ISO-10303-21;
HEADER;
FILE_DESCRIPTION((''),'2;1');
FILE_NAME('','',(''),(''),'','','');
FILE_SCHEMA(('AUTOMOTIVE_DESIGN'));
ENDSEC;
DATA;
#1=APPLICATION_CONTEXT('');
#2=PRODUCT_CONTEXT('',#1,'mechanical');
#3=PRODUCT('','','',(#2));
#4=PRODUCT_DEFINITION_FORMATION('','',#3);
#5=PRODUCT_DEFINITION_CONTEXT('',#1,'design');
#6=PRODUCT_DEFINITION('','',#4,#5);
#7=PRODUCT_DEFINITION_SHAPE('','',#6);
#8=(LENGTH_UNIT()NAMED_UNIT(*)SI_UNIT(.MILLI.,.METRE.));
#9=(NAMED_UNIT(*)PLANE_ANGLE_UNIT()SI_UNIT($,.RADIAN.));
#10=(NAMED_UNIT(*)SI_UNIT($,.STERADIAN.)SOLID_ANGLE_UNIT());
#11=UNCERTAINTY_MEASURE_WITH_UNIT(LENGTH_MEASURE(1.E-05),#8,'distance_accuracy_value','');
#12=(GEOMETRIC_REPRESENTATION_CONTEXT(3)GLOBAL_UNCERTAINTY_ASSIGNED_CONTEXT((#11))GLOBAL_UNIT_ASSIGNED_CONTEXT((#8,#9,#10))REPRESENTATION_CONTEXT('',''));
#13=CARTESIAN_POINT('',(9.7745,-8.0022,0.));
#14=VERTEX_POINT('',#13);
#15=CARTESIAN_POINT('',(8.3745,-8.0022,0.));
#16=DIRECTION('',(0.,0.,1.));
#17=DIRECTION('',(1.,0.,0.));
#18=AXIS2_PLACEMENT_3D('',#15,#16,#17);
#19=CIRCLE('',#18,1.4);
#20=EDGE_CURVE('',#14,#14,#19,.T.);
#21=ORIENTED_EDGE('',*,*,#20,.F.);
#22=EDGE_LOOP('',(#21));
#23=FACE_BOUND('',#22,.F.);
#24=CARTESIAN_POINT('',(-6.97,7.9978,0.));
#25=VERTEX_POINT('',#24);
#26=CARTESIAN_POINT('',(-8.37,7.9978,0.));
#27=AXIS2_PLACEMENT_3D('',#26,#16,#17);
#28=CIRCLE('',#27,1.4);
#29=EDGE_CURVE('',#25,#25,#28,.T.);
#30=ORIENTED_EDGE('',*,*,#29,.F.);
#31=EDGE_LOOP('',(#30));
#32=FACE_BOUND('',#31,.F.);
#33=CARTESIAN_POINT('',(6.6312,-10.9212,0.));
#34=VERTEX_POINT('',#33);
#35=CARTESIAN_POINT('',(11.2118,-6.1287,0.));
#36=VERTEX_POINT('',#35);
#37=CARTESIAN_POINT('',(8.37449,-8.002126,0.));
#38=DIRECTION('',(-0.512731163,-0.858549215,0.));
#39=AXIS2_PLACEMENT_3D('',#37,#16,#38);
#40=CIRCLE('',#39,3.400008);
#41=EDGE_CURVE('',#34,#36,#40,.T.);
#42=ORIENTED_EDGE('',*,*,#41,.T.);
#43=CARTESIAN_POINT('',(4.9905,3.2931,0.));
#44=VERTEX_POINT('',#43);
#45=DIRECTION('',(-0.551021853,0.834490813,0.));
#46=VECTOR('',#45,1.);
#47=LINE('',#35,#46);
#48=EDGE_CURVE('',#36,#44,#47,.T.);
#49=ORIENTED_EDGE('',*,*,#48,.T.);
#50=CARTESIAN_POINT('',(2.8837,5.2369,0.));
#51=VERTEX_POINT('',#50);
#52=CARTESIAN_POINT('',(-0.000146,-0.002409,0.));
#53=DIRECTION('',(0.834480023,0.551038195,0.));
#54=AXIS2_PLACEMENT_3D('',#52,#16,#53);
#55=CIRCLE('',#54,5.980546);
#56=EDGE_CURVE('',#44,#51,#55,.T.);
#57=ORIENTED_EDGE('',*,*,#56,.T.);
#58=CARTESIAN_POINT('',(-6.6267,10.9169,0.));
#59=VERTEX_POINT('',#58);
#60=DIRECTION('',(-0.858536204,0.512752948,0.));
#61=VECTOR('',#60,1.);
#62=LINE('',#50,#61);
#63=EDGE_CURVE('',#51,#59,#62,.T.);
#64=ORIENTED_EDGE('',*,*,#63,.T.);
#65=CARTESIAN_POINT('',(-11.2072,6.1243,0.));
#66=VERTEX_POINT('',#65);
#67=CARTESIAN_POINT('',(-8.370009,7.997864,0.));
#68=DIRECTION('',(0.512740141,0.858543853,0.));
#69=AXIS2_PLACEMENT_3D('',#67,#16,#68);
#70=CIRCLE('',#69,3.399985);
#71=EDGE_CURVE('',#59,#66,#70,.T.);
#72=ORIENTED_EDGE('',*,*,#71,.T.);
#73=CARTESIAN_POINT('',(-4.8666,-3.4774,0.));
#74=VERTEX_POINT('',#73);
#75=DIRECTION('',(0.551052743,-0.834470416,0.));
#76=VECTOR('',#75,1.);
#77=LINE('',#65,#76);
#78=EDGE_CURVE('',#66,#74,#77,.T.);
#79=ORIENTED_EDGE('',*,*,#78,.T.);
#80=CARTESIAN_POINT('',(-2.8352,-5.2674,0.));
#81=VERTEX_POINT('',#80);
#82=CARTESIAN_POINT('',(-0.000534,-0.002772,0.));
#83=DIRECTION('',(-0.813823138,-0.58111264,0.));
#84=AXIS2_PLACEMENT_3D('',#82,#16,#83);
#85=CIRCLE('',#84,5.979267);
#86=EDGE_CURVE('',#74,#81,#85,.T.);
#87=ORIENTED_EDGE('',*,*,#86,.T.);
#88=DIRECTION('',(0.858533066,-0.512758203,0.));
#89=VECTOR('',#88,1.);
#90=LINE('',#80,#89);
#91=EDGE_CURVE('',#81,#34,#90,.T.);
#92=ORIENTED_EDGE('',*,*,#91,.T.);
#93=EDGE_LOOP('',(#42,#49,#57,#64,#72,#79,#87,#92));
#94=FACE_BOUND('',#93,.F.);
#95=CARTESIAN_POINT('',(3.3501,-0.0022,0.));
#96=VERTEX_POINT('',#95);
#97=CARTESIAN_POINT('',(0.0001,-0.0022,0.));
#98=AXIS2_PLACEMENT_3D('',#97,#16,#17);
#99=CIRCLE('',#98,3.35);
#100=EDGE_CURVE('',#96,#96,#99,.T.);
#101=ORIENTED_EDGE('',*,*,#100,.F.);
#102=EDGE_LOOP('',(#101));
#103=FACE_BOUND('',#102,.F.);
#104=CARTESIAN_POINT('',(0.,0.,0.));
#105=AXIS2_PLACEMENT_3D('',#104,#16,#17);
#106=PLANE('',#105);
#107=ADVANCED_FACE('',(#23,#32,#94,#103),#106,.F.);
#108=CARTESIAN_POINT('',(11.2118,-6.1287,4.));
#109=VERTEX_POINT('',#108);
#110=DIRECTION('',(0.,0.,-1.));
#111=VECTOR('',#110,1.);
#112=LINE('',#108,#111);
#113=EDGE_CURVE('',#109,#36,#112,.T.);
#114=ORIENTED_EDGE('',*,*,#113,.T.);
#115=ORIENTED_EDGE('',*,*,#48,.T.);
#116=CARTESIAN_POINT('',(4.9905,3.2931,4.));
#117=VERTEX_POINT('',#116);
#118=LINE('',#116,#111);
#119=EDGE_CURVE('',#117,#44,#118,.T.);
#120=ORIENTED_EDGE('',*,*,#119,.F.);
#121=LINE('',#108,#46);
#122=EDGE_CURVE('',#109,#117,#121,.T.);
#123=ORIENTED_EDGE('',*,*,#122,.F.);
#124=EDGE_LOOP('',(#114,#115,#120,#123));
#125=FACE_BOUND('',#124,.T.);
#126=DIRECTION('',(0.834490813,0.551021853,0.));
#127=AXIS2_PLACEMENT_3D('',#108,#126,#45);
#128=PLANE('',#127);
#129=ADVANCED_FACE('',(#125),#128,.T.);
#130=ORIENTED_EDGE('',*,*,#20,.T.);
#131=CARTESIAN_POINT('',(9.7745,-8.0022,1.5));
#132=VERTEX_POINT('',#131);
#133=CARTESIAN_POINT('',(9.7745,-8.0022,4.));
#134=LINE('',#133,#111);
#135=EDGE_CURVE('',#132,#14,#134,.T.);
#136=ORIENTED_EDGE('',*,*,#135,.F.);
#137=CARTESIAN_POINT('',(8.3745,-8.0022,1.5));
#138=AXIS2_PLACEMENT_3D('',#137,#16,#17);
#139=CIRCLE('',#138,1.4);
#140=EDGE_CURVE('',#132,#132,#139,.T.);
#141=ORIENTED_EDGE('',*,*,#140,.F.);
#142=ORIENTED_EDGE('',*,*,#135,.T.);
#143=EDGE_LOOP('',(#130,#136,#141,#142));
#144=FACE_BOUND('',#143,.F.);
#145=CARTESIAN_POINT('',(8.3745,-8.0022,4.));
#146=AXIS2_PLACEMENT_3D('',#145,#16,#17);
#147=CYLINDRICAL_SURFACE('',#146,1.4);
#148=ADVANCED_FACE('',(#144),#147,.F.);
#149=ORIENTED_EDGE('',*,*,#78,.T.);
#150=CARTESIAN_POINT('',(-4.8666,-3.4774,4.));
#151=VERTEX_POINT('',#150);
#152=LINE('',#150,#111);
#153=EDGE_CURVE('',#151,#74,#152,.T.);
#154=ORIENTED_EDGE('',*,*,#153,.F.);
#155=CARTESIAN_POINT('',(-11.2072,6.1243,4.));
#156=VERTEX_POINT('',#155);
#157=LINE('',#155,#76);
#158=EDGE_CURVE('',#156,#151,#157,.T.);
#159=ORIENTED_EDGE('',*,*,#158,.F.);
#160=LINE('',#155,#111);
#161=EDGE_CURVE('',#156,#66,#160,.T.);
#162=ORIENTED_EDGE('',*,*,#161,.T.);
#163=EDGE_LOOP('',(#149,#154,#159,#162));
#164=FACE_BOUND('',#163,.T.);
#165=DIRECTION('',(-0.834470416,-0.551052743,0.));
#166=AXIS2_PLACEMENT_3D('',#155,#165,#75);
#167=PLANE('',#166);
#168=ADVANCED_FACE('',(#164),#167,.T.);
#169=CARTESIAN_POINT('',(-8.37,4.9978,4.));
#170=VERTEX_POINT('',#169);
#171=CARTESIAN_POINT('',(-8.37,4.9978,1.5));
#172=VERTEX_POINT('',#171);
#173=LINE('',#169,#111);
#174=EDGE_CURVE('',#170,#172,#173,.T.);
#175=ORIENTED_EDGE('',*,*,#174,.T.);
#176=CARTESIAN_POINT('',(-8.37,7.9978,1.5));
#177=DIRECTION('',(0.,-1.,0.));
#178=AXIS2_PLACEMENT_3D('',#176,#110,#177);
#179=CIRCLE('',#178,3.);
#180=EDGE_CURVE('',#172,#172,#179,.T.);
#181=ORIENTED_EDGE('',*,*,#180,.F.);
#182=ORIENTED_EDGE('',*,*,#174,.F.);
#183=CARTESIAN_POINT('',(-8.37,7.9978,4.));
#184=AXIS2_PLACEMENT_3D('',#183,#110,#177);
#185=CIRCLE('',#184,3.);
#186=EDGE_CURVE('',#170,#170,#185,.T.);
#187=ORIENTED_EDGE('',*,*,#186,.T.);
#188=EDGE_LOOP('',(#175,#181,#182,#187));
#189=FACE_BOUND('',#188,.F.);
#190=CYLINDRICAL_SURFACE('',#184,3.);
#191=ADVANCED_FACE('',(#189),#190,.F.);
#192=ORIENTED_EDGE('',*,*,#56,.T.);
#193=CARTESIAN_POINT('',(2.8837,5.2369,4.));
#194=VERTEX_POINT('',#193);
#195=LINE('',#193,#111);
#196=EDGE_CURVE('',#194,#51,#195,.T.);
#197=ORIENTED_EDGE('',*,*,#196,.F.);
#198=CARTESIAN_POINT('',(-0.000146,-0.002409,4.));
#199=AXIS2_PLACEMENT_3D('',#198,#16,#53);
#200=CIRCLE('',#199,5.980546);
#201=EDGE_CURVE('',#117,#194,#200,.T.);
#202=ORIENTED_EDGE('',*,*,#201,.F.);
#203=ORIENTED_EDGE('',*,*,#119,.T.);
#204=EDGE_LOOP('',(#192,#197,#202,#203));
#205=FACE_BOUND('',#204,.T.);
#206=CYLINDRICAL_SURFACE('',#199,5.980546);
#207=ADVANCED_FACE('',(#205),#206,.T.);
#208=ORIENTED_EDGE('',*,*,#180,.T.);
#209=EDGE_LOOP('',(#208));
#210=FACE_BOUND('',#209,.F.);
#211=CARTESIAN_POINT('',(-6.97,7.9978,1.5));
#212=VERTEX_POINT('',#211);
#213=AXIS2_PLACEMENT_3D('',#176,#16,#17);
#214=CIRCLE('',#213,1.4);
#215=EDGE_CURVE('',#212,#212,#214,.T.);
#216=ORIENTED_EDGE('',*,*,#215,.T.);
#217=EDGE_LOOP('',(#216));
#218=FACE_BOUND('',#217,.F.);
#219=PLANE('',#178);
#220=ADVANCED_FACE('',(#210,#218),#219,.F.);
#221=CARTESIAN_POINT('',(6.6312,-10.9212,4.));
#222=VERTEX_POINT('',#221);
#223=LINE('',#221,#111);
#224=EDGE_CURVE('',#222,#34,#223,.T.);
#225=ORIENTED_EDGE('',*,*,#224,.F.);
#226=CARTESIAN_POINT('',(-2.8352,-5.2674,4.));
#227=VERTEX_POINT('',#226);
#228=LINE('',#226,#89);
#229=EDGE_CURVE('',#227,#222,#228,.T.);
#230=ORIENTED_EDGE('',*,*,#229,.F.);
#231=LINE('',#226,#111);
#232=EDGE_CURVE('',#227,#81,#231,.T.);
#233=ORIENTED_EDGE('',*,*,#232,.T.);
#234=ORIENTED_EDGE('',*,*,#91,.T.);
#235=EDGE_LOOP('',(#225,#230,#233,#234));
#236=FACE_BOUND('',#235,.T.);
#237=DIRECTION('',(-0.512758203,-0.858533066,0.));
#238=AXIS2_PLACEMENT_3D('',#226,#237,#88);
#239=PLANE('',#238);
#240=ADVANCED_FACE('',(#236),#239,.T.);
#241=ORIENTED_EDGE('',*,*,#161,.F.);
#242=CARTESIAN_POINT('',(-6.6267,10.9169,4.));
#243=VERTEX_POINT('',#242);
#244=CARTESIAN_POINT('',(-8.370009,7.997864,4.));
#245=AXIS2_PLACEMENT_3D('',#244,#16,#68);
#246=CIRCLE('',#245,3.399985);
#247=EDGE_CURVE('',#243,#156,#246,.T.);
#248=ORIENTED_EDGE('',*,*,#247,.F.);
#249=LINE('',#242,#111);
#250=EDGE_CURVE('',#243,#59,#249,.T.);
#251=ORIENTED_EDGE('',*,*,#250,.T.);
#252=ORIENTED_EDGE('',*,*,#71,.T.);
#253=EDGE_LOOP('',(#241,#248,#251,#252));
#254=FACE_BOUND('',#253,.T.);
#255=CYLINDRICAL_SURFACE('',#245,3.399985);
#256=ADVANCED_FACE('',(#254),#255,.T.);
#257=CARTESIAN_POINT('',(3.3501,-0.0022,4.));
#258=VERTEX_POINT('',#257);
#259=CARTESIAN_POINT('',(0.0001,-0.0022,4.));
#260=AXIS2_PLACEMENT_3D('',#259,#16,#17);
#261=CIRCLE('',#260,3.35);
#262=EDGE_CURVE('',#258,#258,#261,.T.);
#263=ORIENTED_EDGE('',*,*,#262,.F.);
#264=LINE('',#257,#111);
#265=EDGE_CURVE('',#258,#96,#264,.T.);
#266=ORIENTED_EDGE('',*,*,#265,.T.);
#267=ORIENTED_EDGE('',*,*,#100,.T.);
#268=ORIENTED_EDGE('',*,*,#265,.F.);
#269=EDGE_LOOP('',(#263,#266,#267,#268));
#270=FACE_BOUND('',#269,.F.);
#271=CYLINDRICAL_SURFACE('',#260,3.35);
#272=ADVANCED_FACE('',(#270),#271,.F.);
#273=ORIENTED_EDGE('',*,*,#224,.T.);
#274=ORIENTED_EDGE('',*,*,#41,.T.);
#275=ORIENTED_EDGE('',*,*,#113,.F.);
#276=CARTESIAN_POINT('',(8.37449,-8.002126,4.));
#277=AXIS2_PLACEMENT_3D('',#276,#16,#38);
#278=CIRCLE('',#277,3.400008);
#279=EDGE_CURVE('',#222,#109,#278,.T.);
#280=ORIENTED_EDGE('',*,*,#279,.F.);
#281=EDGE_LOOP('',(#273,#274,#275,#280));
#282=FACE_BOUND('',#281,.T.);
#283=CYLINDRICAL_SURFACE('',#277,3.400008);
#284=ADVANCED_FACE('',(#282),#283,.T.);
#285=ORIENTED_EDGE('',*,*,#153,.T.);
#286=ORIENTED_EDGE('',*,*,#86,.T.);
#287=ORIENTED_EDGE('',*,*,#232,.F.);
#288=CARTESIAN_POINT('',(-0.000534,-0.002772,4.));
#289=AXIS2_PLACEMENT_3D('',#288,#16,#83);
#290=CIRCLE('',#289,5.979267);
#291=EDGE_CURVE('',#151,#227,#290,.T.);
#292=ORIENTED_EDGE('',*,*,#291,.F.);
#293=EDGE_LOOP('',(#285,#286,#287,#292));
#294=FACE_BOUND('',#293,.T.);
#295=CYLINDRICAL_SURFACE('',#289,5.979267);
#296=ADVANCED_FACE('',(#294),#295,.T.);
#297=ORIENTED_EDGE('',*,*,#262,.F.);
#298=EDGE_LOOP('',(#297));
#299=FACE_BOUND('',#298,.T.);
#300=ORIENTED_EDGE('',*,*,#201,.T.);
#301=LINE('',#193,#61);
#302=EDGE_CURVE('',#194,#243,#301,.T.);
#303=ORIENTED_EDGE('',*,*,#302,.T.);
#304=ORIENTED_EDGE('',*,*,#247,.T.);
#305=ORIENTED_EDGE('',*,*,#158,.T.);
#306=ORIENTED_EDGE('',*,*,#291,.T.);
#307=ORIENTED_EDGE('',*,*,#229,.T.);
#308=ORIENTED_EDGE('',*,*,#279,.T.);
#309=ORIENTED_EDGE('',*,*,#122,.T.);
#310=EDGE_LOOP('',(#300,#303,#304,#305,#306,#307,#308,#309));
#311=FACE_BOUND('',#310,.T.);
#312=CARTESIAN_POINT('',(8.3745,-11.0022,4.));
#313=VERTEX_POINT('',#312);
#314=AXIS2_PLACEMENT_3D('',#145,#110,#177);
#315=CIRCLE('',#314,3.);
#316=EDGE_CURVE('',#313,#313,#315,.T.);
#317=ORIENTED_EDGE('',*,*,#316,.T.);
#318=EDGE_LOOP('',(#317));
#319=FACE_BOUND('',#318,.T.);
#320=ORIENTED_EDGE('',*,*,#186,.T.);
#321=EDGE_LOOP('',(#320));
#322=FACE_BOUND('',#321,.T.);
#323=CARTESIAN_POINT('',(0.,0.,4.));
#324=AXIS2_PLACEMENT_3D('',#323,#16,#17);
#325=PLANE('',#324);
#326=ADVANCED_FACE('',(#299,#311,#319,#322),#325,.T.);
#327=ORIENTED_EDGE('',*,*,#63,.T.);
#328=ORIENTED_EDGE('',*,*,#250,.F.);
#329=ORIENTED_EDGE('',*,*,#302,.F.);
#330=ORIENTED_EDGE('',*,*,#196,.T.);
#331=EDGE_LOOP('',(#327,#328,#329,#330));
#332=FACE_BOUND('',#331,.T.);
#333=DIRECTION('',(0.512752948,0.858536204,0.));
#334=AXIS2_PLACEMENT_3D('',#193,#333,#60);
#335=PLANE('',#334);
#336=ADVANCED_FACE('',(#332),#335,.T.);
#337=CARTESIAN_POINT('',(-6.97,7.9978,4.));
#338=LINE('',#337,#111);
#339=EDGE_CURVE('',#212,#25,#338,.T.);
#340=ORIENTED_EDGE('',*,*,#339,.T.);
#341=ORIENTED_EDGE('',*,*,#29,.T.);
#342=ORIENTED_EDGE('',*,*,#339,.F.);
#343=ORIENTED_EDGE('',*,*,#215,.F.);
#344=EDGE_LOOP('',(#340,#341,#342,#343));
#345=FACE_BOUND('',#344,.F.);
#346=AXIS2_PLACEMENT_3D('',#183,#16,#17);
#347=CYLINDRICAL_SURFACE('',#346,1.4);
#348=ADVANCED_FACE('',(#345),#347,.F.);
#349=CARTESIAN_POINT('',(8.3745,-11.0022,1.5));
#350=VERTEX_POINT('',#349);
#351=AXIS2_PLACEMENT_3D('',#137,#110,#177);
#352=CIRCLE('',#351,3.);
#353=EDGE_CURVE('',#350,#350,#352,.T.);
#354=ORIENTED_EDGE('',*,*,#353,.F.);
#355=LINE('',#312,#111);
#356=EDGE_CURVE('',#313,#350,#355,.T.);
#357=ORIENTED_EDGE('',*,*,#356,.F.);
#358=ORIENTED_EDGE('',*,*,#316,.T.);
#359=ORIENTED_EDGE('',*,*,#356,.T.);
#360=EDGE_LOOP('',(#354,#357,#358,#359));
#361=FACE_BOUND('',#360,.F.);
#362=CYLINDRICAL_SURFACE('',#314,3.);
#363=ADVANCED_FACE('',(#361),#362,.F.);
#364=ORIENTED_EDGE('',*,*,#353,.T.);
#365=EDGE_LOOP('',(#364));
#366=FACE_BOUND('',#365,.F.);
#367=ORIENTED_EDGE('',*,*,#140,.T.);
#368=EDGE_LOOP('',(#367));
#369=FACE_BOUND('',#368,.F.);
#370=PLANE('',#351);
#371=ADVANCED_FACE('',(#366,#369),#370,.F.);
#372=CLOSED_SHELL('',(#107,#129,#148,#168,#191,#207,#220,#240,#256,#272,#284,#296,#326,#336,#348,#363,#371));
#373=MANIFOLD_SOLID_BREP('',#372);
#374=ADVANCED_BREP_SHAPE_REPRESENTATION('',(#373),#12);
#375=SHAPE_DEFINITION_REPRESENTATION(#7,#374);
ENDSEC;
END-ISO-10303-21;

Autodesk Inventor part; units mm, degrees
ref_plane "YZ Plane" through (0, 0, 0) normal (1, 0, 0) x (0, 1, 0)
ref_plane "XZ Plane" through (0, 0, 0) normal (0, 1, 0) x (-1, 0, 0)
ref_plane "XY Plane" through (0, 0, 0) normal (0, 0, 1) x (1, 0, 0)
sketch "Skizze1" plane through (0, 0, 0) normal (0, 0, 1) x (1, 0, 0)
  circle A0 centre (0.0001, -0.0022) radius 3.9802 projected
  circle A1 centre (-8.37, 7.9978) radius 1.4 projected
  circle A2 centre (8.3745, -8.0022) radius 1.4 projected
  line L0 (-9.5383, 7.2264) -> (-3.2198, -2.3418)
  line L1 (-7.6522, 9.1998) -> (1.8915, 3.4999)
  line L2 (9.5428, -7.2307) -> (3.3215, 2.191)
  line L3 (-1.8517, -3.5253) -> (7.6567, -9.2041)
  point P0 (0, 0)
extrude "Extrusion1" add sketch "Skizze1" along normal blind 4
sketch "Skizze2" plane through (0, 0, 4) normal (0, 0, 1) x (1, 0, 0)
  arc A0 (-7.6522, 9.1998) -> (-9.5383, 7.2264) centre (-8.37, 7.9978) ccw projected
  line L0 (-9.5383, 7.2264) -> (-3.2198, -2.3418) projected
  arc A1 (-3.2198, -2.3418) -> (-1.8517, -3.5253) centre (0.0001, -0.0022) ccw projected
  line L1 (-1.8517, -3.5253) -> (7.6567, -9.2041) projected
  arc A2 (7.6567, -9.2041) -> (9.5428, -7.2307) centre (8.3745, -8.0022) ccw projected
  line L2 (9.5428, -7.2307) -> (3.3215, 2.191) projected
  arc A3 (3.3215, 2.191) -> (1.8915, 3.4999) centre (0.0001, -0.0022) ccw projected
  line L3 (1.8915, 3.4999) -> (-7.6522, 9.1998) projected
  arc A4 (-6.6267, 10.9169) -> (-11.2072, 6.1243) centre (-8.37, 7.9978) ccw
  line L4 (-11.2072, 6.1243) -> (-4.8666, -3.4774)
  arc A5 (-4.8666, -3.4774) -> (-2.8352, -5.2674) centre (0.0001, -0.0022) ccw
  line L5 (-2.8352, -5.2674) -> (6.6312, -10.9212)
  arc A6 (6.6312, -10.9212) -> (11.2118, -6.1287) centre (8.3745, -8.0022) ccw
  line L6 (11.2118, -6.1287) -> (4.9905, 3.2931)
  arc A7 (4.9905, 3.2931) -> (2.8837, 5.2369) centre (0.0001, -0.0022) ccw
  line L7 (2.8837, 5.2369) -> (-6.6267, 10.9169)
  point P0 (0, 0)
  dimension "d2" = 2
extrude "Extrusion2" add sketch "Skizze2" against normal up to surface (4 mm away)
sketch "Skizze3" plane through (0, 0, 4) normal (0, 0, 1) x (1, 0, 0)
  circle A0 centre (0.0001, -0.0022) radius 3.9802 projected
  circle A1 centre (-8.37, 7.9978) radius 1.4 projected
  circle A2 centre (8.3745, -8.0022) radius 1.4 projected
  circle A3 centre (0.0001, -0.0022) radius 3.35
  point P0 (0, 0)
  dimension "d5" = 6.7
extrude "Extrusion3" cut sketch "Skizze3" against normal through all contours A1 | A2 | A3
sketch "Skizze4" plane through (0, 0, 4) normal (0, 0, 1) x (1, 0, 0)
  circle A0 centre (-8.37, 7.9978) radius 1.4 projected
  circle A1 centre (8.3745, -8.0022) radius 1.4 projected
  point P0 (0, 0)
hole "Bohrung1" at (-8.37, 7.9978, 4) at (8.3745, -8.0022, 4) direction (0, 0, -1) diameter 2.8 end through all counterbore diameter 6 counterbore depth 2.5
properties part number "IM_Lensholder"
